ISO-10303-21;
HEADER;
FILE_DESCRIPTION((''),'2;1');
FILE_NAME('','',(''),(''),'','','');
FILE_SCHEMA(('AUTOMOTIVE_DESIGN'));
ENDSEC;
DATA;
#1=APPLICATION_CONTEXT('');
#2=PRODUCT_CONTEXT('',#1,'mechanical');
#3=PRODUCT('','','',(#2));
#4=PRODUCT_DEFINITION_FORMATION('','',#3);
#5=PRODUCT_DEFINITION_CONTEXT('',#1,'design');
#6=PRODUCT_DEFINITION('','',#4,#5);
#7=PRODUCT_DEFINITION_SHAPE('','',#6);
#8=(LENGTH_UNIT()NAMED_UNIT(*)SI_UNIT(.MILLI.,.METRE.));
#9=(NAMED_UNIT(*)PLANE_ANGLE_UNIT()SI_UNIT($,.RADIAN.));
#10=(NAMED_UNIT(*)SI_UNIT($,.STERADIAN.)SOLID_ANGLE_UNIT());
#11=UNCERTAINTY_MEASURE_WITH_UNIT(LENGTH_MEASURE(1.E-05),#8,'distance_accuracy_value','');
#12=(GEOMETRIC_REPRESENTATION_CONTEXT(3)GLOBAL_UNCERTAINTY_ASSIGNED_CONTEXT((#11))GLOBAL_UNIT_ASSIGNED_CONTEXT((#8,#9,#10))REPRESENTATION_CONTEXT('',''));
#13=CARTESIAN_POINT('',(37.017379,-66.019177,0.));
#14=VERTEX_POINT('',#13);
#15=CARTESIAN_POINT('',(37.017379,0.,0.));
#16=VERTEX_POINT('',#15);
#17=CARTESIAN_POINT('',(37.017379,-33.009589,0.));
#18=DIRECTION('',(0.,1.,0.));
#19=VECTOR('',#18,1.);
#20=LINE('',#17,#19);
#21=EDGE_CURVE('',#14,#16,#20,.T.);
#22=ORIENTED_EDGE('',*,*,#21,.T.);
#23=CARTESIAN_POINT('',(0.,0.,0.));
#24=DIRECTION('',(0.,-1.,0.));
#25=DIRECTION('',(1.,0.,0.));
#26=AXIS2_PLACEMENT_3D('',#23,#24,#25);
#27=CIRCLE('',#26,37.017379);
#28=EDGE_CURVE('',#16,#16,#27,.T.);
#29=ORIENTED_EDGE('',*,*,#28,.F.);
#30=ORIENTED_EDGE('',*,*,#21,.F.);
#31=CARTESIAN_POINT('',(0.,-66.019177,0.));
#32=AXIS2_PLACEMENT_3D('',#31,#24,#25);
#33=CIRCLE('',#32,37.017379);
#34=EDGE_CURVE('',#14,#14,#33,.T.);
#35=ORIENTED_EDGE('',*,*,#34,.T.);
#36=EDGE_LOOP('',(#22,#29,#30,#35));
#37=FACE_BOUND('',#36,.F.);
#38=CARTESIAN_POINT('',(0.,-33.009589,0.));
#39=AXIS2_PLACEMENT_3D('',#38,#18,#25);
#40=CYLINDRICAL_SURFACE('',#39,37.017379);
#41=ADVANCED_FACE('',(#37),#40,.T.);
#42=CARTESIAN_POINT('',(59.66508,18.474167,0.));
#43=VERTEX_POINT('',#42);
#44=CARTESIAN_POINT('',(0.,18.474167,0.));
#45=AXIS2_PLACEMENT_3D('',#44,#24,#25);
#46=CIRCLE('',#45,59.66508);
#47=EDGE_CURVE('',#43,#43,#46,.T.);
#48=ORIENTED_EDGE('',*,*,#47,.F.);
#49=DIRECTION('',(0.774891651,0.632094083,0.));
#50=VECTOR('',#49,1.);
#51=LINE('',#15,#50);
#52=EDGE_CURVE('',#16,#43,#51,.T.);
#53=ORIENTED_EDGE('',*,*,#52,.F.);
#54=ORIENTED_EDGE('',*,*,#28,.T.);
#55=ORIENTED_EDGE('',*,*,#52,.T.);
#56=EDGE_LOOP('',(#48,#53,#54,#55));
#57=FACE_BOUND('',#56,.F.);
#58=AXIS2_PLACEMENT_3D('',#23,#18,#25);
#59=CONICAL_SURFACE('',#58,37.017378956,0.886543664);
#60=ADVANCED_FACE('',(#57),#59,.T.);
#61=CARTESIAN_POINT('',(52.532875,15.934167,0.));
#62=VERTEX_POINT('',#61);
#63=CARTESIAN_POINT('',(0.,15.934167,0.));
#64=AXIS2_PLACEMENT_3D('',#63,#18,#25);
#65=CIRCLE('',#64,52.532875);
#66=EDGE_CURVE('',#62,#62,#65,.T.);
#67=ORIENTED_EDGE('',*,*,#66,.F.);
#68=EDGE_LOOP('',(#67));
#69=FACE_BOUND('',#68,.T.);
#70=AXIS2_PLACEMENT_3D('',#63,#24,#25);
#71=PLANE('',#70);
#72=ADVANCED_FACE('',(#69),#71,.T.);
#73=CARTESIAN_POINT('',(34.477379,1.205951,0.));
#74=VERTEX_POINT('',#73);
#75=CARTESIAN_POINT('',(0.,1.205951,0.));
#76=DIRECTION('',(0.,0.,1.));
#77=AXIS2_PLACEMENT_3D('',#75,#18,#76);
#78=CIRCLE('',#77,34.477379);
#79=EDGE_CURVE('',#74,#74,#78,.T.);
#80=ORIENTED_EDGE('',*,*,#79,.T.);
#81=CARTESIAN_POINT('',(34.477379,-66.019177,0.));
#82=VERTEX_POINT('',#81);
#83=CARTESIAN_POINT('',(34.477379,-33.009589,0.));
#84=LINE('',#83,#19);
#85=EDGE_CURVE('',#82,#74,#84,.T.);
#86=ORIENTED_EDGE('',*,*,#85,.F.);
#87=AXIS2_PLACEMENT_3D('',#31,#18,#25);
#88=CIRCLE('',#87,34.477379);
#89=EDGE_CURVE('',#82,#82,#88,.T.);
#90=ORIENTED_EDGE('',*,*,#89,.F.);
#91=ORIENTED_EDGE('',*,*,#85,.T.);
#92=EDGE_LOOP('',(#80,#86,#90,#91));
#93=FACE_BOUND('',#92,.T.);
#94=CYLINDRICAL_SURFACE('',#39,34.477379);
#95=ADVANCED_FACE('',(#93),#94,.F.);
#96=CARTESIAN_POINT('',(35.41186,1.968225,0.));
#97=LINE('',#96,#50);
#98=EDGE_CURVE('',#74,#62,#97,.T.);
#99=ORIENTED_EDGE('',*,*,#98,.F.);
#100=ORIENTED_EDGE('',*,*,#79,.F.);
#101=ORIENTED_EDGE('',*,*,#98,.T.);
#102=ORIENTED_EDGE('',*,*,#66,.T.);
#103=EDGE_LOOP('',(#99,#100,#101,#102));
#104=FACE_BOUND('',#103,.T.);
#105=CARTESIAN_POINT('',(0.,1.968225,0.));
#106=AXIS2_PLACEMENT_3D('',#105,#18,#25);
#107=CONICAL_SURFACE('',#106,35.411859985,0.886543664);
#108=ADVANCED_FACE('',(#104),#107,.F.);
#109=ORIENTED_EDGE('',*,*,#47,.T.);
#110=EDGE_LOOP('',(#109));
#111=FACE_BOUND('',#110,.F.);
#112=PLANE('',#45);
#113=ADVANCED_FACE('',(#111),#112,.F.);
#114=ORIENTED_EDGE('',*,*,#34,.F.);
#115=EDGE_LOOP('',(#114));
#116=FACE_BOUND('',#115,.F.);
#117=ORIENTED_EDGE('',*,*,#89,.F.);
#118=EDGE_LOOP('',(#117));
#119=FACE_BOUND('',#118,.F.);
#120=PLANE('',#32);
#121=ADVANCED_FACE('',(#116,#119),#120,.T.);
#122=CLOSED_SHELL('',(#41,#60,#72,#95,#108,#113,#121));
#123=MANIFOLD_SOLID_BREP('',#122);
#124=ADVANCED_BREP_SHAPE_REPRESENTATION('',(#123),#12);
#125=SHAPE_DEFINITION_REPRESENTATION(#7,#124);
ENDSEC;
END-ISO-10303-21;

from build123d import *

# Parameters (mm, degrees)
F0_W = 37.0173789561
F0_H = 66.0191774368
F2_T = -2.54


with BuildPart() as f1:
    # F0 (on Top) → F1 (revolve)
    with BuildSketch(Plane.XY):
        Polygon((0, 18.4741672128), (0, 0), (37.0173789561, 0), (59.6650801599, 18.4741672128), align=None)
        with Locations((18.508689478, -33.0095887184)):
            Rectangle(F0_W, F0_H)
    revolve(axis=Axis((0, -33.0095887184, 0), (0, -1, 0)))

    # F2
    f2_openings = [f1.faces().sort_by_distance(p)[0] for p in [
        (0, -66.019177, 0),
    ]]
    offset(amount=F2_T, openings=f2_openings, kind=Kind.INTERSECTION)


solid = f1.part
